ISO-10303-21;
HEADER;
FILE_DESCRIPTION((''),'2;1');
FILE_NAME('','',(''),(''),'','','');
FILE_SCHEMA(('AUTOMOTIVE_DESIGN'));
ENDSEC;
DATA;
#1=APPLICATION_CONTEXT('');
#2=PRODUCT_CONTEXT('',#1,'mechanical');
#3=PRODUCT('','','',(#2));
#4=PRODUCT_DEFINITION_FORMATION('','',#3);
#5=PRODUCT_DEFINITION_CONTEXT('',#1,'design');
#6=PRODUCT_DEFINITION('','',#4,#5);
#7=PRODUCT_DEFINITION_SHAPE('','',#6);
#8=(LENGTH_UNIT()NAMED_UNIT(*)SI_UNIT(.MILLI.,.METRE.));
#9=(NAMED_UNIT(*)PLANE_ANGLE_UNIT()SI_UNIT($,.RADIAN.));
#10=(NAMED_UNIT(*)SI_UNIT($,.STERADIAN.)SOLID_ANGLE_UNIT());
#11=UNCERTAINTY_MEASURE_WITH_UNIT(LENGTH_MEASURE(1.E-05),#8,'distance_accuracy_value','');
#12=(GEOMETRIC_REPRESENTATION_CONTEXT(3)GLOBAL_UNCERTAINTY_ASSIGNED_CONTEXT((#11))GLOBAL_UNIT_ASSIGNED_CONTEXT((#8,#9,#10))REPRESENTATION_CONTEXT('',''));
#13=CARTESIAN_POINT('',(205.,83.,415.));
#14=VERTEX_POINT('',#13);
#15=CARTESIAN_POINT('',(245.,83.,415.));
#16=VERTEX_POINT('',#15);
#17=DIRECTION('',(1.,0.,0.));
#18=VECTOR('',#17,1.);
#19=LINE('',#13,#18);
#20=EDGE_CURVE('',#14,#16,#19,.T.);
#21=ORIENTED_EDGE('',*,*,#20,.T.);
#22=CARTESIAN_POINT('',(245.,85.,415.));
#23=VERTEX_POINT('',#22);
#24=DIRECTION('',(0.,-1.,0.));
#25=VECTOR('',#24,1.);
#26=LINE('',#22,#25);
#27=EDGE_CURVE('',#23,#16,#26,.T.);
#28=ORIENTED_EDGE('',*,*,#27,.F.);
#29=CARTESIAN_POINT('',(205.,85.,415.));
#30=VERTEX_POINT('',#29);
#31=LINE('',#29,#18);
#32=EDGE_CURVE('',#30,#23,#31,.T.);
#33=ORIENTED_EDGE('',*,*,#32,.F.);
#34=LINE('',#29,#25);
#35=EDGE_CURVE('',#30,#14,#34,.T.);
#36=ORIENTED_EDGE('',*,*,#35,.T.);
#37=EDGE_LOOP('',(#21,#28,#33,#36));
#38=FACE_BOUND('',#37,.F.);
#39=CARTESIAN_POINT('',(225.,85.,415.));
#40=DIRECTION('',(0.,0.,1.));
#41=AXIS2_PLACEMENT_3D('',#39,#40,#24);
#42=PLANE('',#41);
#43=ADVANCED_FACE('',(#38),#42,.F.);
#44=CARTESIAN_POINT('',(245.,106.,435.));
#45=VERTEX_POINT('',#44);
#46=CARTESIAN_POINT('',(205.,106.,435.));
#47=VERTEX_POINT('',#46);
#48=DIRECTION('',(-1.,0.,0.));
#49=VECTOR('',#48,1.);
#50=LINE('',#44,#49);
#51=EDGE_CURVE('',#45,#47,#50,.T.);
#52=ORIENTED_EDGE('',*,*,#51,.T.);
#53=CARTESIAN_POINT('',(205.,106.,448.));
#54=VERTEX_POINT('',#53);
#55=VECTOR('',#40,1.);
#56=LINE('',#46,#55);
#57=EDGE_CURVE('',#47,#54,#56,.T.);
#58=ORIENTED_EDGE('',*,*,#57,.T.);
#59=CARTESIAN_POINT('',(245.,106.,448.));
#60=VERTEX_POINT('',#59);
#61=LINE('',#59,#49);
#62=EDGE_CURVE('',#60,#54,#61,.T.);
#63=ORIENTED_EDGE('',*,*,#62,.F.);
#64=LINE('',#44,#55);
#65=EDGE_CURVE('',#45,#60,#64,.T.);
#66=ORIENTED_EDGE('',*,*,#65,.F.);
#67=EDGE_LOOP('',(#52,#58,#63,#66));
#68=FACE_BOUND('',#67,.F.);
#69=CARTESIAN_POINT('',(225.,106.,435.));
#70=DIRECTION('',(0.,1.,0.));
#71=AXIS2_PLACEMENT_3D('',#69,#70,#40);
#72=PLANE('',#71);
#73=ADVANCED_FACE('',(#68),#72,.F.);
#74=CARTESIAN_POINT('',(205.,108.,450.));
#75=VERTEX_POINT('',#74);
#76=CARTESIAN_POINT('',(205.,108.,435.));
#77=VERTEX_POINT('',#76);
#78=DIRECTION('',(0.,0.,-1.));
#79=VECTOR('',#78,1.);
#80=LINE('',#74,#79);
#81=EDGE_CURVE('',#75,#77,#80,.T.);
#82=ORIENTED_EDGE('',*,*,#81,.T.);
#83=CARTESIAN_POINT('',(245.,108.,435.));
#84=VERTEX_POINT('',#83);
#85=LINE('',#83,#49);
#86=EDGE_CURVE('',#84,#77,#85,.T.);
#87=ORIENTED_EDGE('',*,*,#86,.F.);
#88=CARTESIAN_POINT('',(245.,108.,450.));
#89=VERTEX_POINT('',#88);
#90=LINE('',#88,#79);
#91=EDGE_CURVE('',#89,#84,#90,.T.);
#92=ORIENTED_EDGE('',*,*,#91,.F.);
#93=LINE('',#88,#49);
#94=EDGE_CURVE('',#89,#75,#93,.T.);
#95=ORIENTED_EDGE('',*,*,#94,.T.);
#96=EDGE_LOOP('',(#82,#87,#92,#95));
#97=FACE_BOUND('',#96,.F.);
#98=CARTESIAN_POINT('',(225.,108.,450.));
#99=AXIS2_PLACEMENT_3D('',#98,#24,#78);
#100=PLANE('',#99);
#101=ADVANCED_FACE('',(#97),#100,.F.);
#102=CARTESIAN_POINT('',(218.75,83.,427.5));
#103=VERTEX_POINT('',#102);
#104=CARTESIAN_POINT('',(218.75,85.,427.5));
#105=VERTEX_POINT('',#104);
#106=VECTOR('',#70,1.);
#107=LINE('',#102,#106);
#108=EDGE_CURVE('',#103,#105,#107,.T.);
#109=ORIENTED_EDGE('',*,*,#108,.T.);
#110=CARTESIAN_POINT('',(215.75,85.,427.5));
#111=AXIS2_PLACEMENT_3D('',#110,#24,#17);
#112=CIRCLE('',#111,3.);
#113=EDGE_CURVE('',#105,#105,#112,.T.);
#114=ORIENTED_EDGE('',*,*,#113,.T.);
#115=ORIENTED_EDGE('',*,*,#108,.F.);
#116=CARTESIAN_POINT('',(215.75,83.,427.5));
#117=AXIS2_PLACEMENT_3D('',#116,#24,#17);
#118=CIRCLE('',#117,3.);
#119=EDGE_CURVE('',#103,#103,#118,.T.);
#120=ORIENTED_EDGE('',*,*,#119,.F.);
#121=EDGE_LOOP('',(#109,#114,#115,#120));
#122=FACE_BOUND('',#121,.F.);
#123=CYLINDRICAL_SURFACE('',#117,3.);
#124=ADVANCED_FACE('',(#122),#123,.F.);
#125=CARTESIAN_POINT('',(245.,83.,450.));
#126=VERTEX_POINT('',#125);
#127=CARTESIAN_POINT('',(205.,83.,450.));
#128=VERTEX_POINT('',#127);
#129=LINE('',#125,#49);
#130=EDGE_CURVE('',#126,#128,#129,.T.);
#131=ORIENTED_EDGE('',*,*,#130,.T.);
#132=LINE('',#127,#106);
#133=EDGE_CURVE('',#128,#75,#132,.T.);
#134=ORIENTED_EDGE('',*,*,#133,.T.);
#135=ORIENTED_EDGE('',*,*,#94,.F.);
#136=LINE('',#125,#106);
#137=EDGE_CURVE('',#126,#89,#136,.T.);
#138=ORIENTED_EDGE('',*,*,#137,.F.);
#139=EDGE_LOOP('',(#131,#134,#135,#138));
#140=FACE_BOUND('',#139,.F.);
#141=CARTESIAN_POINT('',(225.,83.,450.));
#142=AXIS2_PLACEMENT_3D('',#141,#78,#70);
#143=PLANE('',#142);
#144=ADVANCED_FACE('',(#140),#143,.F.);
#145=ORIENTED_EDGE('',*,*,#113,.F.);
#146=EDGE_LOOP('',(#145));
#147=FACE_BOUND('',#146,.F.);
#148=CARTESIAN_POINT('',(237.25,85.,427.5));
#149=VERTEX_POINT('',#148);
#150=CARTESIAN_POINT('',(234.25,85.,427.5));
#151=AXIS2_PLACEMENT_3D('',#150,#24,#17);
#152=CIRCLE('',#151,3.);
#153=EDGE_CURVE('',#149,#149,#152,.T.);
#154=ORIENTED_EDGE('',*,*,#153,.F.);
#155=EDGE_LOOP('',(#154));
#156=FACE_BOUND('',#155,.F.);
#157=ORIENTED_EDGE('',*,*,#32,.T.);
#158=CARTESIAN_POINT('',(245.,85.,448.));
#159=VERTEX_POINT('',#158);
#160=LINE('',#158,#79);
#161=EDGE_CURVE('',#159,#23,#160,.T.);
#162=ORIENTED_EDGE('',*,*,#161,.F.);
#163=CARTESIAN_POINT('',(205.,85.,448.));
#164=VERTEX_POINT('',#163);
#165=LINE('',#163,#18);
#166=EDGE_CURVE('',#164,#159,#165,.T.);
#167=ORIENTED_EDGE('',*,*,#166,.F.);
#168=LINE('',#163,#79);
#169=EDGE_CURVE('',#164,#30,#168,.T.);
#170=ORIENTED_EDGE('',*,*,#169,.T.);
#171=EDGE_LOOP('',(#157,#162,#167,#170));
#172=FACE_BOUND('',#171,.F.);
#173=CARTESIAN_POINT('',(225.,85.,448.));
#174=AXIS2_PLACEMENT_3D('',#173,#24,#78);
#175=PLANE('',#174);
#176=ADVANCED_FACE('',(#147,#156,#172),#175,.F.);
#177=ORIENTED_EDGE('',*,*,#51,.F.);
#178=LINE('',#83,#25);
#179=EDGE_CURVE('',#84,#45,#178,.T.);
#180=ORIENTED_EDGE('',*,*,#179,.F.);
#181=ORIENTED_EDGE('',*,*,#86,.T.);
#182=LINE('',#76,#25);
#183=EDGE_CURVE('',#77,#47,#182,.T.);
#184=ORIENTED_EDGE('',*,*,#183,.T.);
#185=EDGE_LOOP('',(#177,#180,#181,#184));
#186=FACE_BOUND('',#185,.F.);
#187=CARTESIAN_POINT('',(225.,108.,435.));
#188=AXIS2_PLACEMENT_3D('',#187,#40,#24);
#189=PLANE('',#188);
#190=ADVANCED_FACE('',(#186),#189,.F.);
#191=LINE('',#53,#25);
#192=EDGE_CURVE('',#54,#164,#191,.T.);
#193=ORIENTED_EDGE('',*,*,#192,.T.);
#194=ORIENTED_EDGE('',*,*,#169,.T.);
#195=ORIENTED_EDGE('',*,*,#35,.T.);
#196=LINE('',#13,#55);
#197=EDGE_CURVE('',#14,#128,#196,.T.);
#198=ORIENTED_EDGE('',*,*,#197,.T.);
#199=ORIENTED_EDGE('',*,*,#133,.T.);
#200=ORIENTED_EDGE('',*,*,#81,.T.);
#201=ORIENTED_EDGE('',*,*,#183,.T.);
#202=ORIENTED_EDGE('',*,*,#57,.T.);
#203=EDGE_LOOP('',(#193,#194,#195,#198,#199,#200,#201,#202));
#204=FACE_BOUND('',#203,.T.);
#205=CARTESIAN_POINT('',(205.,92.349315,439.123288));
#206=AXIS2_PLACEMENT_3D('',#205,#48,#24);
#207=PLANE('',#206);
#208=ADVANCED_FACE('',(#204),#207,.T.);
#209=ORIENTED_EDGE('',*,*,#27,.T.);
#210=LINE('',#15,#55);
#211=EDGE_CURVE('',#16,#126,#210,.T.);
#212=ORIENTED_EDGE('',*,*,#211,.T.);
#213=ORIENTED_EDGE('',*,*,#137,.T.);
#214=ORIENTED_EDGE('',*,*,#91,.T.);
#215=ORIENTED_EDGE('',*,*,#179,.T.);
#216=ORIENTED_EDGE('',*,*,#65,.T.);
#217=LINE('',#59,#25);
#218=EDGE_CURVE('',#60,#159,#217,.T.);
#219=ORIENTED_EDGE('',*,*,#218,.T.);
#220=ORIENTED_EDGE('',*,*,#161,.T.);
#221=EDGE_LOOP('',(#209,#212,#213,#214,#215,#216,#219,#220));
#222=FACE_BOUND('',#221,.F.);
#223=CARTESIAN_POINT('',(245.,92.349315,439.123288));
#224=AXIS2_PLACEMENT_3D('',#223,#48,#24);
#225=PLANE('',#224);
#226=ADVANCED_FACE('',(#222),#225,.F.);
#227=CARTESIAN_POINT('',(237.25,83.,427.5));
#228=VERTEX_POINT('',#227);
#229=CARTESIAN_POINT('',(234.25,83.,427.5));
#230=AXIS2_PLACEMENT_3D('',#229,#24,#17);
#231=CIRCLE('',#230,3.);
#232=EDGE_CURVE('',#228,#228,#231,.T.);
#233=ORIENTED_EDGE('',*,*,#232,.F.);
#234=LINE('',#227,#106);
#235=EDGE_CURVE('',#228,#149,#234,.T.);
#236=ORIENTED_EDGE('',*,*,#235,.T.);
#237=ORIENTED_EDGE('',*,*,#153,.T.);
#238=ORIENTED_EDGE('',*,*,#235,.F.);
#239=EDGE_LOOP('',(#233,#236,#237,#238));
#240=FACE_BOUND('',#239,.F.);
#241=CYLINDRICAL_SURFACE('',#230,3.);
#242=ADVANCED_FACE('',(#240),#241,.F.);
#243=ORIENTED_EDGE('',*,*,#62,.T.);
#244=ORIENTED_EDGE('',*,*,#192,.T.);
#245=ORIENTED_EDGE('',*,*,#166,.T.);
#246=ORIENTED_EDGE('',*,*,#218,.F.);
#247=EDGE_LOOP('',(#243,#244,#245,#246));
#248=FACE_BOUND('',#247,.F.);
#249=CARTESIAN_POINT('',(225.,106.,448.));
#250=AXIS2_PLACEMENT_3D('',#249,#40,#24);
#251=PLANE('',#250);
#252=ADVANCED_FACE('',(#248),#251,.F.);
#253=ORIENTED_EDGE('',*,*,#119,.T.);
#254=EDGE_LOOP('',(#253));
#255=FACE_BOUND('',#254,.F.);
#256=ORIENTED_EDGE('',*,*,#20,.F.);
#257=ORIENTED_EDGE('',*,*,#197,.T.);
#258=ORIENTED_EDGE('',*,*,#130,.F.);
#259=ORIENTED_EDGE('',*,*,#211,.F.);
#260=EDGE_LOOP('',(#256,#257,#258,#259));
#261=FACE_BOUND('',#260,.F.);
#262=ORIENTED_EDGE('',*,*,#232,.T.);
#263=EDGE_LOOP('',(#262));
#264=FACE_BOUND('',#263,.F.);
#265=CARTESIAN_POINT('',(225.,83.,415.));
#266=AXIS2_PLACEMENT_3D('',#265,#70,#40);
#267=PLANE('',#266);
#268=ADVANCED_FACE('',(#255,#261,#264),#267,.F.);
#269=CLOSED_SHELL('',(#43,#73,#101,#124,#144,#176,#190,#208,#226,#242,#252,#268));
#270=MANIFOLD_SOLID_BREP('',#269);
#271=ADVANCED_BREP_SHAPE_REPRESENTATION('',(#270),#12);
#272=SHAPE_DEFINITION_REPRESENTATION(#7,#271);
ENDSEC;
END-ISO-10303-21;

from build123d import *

# Parameters (mm, degrees)
PAD004_DEPTH = 20
SKETCH013_R  = 3
HOLE_DEPTH   = 25
HOLE_TIPS_R  = 3


with BuildPart() as part:
    # Sketch014 → Pad004 (new body, symmetric)
    with BuildSketch(Plane.YZ):
        Polygon((0, -35), (0, 0), (25, 0), (25, -15), (23, -15), (23, -2), (2, -2), (2, -35), align=None)
    extrude(amount=PAD004_DEPTH, both=True)

    # Sketch013 → Hole (cut)
    with BuildSketch(Plane.XZ):
        with Locations((-9.25, -22.5)):
            Circle(SKETCH013_R)
        with Locations((9.25, -22.5)):
            Circle(SKETCH013_R)
    extrude(amount=-HOLE_DEPTH, mode=Mode.SUBTRACT)

    # Hole tips → Hole tip 1 section 0
    with BuildSketch(Plane.XZ.offset(-25), mode=Mode.PRIVATE) as hole_tip_1_s0:
        with Locations((-9.25, -22.5)):
            Circle(HOLE_TIPS_R)
    loft([hole_tip_1_s0.sketch, Vertex(-9.25, 26.802582, -22.5)], mode=Mode.SUBTRACT)

    # Hole tips → Hole tip 2 section 0
    with BuildSketch(Plane.XZ.offset(-25), mode=Mode.PRIVATE) as hole_tip_2_s0:
        with Locations((9.25, -22.5)):
            Circle(HOLE_TIPS_R)
    loft([hole_tip_2_s0.sketch, Vertex(9.25, 26.802582, -22.5)], mode=Mode.SUBTRACT)


with BuildPart() as part_1:
    # Body009 placement: moved
    add(part.part.moved(Location((0, 83, 0))))


with BuildPart() as part_2:
    # Clone007 placement: moved
    add(part_1.part.moved(Location((0, -83, 0))))


with BuildPart() as part_3:
    # Body010 placement: moved
    add(part_2.part.moved(Location((225, 83, 450))))


solid = part_3.part
